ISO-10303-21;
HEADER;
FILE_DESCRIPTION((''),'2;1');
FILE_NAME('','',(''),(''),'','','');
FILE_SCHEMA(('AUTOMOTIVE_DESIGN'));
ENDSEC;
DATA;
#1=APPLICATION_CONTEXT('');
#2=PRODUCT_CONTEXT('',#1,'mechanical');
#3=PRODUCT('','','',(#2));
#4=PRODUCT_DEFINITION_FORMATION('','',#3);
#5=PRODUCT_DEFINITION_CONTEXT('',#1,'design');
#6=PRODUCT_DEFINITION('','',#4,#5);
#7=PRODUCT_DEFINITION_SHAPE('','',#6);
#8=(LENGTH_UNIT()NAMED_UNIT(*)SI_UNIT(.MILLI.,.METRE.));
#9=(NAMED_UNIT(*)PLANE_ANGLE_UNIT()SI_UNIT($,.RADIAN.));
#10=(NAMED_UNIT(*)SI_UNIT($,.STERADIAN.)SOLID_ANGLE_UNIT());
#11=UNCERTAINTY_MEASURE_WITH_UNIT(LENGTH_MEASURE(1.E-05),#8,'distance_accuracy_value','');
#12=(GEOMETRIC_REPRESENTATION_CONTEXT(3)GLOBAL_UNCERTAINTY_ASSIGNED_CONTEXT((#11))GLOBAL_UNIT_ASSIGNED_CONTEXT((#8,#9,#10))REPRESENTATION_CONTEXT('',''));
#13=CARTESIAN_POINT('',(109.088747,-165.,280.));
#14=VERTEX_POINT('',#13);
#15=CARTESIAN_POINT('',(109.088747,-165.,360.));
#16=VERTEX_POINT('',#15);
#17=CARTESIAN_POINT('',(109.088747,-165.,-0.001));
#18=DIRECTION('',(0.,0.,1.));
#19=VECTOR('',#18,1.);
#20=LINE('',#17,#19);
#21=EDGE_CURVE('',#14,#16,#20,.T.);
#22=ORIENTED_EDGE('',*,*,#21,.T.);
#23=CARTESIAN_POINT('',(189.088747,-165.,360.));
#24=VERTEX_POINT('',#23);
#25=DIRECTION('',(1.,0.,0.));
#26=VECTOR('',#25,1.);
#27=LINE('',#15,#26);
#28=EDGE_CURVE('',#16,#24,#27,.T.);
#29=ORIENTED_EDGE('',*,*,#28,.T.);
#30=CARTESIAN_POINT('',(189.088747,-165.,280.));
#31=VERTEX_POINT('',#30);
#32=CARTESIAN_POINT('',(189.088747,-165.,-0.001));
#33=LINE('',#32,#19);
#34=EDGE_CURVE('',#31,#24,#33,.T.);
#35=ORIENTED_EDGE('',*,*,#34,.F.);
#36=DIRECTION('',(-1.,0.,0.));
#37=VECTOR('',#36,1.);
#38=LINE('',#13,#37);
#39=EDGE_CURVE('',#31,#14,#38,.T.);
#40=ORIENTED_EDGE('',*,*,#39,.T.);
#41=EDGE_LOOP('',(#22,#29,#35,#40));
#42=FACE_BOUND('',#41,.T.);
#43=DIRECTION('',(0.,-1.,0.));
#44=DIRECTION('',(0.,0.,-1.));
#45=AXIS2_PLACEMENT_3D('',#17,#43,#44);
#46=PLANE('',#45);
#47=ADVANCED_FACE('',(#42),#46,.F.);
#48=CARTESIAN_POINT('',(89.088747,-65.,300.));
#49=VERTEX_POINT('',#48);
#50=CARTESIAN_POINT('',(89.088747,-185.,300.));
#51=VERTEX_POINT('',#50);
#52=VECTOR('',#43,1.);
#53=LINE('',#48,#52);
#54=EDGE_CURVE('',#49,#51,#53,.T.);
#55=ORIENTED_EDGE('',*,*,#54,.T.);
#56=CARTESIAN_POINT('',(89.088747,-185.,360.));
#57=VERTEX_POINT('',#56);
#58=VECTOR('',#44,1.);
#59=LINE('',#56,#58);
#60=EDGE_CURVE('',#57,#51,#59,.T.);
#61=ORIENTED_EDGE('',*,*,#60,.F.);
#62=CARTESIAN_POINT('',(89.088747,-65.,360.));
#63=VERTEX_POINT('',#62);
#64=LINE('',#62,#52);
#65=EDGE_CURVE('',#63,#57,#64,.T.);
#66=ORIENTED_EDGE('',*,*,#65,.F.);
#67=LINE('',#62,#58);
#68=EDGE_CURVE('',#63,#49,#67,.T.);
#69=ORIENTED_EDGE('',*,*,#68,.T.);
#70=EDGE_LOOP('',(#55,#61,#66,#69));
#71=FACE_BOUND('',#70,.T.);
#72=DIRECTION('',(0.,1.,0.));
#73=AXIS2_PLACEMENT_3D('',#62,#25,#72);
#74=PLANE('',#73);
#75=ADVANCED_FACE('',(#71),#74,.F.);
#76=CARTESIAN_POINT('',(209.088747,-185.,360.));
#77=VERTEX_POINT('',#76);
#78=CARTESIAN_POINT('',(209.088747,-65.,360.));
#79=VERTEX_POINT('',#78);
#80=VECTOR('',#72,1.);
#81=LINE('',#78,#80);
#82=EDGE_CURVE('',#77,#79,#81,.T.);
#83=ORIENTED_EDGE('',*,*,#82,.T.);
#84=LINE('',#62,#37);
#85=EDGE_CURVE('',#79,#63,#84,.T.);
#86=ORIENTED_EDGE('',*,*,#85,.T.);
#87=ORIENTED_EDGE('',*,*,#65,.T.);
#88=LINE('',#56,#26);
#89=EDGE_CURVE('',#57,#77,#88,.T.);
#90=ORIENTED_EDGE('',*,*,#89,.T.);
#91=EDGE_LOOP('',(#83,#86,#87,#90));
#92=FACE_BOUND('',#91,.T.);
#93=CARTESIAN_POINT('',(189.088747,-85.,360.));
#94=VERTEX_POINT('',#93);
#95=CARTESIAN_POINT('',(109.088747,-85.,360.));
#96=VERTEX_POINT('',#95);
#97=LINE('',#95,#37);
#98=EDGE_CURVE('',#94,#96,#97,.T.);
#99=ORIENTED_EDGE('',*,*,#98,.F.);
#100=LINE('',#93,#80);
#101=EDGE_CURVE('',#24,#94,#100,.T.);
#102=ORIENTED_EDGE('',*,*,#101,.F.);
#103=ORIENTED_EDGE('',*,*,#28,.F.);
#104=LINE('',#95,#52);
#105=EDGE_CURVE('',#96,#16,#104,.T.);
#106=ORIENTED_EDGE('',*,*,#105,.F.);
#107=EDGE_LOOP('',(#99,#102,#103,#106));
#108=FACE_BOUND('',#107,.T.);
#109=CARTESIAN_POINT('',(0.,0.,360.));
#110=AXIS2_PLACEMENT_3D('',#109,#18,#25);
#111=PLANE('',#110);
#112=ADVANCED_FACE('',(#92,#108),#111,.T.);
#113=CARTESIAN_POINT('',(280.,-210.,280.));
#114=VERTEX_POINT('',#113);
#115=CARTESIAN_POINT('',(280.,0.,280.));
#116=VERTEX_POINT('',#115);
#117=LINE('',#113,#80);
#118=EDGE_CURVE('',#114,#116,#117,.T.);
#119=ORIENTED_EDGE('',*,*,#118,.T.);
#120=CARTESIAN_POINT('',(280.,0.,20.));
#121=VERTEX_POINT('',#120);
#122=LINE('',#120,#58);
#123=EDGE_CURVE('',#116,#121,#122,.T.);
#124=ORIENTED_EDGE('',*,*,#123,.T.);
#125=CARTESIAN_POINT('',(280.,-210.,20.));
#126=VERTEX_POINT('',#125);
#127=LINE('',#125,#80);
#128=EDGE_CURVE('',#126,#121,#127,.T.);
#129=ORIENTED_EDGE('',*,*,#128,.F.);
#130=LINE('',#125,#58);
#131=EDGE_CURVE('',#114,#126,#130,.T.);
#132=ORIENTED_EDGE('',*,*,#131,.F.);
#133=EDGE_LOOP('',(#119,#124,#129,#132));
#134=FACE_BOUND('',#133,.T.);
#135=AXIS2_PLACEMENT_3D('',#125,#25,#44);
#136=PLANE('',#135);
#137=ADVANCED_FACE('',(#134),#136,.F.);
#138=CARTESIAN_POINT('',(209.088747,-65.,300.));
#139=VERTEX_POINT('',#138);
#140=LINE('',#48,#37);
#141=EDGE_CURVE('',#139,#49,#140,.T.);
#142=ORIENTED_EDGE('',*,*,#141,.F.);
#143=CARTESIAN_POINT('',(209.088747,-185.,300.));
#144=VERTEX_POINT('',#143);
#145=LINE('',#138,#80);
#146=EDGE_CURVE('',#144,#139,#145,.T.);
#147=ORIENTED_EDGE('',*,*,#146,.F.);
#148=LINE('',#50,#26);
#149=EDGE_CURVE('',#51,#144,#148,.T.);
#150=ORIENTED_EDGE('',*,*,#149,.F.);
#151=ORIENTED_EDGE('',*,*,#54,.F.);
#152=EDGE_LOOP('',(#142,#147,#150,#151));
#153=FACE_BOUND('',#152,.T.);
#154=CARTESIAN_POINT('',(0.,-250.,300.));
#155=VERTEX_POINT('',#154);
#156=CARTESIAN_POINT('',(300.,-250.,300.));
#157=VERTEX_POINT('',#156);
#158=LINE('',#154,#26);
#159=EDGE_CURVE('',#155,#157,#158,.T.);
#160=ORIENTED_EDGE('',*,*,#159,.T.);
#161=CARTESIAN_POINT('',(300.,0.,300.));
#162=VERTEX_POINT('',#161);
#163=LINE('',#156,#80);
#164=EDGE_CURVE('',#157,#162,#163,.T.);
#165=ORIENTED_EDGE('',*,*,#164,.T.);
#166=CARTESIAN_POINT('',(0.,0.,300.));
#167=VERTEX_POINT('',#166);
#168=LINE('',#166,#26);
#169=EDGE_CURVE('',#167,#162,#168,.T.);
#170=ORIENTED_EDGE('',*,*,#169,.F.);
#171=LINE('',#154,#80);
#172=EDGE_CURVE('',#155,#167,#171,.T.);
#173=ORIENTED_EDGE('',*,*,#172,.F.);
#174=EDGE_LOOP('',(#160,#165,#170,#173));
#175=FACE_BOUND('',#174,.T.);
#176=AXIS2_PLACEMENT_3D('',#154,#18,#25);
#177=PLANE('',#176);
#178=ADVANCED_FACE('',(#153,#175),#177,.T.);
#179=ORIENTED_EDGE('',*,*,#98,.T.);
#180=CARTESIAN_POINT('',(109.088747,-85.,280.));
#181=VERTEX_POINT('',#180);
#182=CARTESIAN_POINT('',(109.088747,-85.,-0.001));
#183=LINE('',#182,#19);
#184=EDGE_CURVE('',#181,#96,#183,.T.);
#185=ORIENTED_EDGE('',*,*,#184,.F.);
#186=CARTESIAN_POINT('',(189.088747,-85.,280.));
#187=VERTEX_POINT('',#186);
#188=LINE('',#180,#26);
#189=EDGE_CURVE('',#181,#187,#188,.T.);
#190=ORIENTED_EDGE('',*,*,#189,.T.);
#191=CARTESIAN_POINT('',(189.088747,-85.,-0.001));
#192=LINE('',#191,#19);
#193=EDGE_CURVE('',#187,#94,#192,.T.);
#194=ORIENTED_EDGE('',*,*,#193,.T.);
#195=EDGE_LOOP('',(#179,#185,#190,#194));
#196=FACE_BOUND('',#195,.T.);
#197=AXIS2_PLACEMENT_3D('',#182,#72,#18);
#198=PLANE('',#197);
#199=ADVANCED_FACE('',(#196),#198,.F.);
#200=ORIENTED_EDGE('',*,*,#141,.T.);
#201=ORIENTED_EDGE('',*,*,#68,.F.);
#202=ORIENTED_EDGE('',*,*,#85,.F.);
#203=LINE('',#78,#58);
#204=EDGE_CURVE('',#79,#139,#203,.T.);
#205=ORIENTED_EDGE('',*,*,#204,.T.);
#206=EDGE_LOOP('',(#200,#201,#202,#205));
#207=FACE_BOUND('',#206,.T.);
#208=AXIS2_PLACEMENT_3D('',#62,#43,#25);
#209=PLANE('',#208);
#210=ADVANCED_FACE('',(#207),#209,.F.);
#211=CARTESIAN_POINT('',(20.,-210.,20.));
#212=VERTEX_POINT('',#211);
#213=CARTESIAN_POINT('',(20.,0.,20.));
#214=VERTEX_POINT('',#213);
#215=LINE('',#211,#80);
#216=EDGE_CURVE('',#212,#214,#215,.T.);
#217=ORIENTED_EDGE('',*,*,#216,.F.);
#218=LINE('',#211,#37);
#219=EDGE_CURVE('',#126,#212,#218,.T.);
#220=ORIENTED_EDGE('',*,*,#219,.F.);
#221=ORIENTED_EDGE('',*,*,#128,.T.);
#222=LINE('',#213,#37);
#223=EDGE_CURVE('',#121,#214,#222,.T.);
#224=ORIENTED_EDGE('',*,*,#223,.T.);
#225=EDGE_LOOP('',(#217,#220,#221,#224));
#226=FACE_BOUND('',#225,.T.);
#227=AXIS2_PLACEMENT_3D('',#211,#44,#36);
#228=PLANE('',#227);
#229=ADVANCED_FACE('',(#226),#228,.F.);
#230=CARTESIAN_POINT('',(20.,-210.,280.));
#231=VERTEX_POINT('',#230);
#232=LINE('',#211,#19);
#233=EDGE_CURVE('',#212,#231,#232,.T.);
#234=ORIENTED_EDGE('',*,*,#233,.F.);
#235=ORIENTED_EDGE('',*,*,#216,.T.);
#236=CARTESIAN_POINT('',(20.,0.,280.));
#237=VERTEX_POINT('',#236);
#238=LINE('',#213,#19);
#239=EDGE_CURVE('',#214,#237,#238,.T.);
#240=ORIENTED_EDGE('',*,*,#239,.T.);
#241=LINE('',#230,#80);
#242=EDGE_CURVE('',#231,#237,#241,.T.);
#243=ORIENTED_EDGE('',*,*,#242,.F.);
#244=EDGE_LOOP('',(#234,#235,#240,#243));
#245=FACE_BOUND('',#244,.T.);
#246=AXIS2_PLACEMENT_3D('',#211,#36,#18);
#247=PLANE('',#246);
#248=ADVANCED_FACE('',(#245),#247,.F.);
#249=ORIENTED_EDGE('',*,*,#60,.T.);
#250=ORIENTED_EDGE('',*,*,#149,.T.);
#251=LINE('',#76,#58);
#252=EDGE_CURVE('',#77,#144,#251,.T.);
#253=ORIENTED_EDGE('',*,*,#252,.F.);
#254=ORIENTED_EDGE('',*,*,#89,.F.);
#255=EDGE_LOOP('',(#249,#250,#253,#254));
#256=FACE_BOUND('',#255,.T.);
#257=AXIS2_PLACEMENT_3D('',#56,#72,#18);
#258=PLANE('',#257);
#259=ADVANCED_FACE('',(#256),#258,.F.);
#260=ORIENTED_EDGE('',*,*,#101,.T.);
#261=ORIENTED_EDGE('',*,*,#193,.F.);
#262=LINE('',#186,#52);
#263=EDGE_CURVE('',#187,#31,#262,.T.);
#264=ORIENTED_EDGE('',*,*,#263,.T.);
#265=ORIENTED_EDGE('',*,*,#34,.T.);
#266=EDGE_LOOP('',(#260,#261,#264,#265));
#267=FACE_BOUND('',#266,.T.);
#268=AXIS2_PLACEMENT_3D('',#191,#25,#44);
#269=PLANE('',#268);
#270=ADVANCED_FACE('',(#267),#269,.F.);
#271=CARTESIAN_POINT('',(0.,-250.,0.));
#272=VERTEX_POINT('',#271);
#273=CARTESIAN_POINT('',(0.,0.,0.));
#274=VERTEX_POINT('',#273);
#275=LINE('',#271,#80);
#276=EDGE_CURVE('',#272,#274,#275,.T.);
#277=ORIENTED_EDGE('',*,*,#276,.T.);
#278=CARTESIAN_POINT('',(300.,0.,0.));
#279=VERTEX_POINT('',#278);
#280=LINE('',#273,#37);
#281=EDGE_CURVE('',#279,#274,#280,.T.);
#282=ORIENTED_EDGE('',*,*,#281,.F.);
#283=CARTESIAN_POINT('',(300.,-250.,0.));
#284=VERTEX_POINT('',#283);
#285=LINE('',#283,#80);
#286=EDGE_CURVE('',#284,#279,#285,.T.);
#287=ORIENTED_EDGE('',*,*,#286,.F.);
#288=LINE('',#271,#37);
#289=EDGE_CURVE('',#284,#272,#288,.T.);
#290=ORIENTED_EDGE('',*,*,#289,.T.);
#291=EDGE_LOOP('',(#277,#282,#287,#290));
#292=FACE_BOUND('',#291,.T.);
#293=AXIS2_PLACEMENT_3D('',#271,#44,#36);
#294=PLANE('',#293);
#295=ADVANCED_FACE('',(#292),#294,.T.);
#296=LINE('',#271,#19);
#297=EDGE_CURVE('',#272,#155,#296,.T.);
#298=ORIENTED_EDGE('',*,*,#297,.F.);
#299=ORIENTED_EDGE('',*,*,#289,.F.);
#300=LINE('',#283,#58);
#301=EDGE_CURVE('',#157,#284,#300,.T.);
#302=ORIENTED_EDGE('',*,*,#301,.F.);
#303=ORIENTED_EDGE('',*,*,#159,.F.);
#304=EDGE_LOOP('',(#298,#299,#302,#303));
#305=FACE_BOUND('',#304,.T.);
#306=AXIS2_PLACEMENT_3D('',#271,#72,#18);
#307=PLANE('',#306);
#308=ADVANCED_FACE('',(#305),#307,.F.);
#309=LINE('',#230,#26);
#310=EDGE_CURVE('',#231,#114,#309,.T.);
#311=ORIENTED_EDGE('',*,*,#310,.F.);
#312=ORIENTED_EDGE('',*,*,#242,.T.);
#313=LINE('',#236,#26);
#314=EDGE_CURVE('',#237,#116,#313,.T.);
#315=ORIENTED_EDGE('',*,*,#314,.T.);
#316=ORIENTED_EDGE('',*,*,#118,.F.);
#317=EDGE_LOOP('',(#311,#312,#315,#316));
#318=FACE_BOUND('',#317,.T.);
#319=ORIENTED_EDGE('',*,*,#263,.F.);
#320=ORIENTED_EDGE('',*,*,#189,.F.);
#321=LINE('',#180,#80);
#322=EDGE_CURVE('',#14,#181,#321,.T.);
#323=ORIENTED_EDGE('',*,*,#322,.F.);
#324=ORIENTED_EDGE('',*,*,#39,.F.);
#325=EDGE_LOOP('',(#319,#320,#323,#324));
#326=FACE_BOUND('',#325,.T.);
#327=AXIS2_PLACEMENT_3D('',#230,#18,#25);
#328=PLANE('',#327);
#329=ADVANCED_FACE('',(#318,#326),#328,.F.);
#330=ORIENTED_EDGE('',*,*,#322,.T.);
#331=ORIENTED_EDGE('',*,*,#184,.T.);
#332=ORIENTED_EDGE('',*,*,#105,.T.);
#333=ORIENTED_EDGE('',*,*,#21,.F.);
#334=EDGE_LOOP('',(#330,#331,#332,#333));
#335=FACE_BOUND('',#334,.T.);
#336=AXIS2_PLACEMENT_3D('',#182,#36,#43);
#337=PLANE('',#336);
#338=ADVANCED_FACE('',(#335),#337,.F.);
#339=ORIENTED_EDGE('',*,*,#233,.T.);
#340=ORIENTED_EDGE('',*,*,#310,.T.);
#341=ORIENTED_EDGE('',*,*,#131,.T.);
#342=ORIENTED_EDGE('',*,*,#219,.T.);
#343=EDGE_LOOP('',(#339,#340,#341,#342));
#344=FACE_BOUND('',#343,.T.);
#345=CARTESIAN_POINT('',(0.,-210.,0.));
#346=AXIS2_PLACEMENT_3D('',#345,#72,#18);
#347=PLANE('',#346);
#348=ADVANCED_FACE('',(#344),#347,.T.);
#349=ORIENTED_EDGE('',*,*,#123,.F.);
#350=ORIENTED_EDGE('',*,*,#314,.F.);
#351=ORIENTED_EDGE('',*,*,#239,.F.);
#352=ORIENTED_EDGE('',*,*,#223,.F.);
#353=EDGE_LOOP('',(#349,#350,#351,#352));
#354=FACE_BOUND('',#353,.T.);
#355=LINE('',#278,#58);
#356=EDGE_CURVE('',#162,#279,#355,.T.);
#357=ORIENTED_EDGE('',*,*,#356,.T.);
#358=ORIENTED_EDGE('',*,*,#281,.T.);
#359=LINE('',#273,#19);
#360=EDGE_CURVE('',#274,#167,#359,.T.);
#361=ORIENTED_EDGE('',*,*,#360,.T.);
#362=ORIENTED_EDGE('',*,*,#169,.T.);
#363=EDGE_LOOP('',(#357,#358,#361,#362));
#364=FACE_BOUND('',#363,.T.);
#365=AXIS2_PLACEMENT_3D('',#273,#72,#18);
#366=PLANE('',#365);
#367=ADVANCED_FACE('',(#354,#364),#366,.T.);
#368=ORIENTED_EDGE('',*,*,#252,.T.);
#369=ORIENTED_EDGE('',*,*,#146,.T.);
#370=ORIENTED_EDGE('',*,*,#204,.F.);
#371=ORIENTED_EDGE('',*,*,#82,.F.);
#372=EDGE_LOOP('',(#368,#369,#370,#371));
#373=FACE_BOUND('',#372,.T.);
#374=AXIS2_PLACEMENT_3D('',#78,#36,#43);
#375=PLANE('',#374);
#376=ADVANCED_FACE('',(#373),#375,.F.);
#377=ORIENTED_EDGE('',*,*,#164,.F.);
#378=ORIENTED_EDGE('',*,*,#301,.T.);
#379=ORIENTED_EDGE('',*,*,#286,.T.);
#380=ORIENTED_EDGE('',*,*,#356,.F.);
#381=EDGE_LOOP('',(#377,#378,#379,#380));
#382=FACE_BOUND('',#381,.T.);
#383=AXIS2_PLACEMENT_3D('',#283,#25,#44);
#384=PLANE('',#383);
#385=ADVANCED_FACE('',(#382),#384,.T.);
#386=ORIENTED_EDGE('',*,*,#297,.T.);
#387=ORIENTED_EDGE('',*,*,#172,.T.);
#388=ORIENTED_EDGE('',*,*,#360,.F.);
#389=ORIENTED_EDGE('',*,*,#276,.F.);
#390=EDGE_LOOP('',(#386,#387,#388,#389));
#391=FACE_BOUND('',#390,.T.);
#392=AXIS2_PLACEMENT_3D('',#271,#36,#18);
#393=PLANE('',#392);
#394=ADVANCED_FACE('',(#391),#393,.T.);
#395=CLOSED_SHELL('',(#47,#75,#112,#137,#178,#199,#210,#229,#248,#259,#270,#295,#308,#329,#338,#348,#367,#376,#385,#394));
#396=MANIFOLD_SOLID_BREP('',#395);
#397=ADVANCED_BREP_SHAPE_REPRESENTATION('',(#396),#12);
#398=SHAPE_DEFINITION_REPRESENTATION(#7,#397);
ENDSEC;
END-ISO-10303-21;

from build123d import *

# Parameters (mm, degrees)
SKETCH2_W           = 300
SKETCH2_H           = 300
BOSS_EXTRUDE1_DEPTH = 250
SKETCH4_W           = 260
SKETCH4_H           = 260
CUT_EXTRUDE2_DEPTH  = 210
SKETCH6_W           = 120
SKETCH6_H           = 120
BOSS_EXTRUDE2_DEPTH = 60
CUT_EXTRUDE7_REACH  = 362
SKETCH11_W          = 80
SKETCH11_H          = 80


with BuildPart() as part:
    # Sketch2 → Boss-Extrude1 (new body)
    with BuildSketch(Plane(origin=(0, 0, 0), x_dir=(1, 0, 0), z_dir=(0, 1, 0))):
        with Locations((150, -150)):
            Rectangle(SKETCH2_W, SKETCH2_H)
    extrude(amount=-BOSS_EXTRUDE1_DEPTH)

    # Sketch4 → Cut-Extrude2 (cut)
    with BuildSketch(Plane(origin=(0, 0, 0), x_dir=(1, 0, 0), z_dir=(0, 1, 0))):
        with Locations((150, -150)):
            Rectangle(SKETCH4_W, SKETCH4_H)
    extrude(amount=-CUT_EXTRUDE2_DEPTH, mode=Mode.SUBTRACT)

    # Sketch6 → Boss-Extrude2 (add)
    with BuildSketch(Plane.XY.offset(300)):
        with Locations((149.088747211, -125)):
            Rectangle(SKETCH6_W, SKETCH6_H)
    extrude(amount=BOSS_EXTRUDE2_DEPTH)

    # Sketch11 → Cut-Extrude7 (cut, up to next)
    with BuildSketch(Plane.XY.offset(360), mode=Mode.PRIVATE) as cut_extrude7_sk1:
        with Locations((149.088747211, -125)):
            Rectangle(SKETCH11_W, SKETCH11_H)
    cut_extrude7_tool1 = extrude(cut_extrude7_sk1.sketch, amount=-CUT_EXTRUDE7_REACH, mode=Mode.PRIVATE) & part.part
    add(cut_extrude7_tool1.solids().sort_by_distance((149.088747, -125, 360))[0], mode=Mode.SUBTRACT)


solid = part.part
